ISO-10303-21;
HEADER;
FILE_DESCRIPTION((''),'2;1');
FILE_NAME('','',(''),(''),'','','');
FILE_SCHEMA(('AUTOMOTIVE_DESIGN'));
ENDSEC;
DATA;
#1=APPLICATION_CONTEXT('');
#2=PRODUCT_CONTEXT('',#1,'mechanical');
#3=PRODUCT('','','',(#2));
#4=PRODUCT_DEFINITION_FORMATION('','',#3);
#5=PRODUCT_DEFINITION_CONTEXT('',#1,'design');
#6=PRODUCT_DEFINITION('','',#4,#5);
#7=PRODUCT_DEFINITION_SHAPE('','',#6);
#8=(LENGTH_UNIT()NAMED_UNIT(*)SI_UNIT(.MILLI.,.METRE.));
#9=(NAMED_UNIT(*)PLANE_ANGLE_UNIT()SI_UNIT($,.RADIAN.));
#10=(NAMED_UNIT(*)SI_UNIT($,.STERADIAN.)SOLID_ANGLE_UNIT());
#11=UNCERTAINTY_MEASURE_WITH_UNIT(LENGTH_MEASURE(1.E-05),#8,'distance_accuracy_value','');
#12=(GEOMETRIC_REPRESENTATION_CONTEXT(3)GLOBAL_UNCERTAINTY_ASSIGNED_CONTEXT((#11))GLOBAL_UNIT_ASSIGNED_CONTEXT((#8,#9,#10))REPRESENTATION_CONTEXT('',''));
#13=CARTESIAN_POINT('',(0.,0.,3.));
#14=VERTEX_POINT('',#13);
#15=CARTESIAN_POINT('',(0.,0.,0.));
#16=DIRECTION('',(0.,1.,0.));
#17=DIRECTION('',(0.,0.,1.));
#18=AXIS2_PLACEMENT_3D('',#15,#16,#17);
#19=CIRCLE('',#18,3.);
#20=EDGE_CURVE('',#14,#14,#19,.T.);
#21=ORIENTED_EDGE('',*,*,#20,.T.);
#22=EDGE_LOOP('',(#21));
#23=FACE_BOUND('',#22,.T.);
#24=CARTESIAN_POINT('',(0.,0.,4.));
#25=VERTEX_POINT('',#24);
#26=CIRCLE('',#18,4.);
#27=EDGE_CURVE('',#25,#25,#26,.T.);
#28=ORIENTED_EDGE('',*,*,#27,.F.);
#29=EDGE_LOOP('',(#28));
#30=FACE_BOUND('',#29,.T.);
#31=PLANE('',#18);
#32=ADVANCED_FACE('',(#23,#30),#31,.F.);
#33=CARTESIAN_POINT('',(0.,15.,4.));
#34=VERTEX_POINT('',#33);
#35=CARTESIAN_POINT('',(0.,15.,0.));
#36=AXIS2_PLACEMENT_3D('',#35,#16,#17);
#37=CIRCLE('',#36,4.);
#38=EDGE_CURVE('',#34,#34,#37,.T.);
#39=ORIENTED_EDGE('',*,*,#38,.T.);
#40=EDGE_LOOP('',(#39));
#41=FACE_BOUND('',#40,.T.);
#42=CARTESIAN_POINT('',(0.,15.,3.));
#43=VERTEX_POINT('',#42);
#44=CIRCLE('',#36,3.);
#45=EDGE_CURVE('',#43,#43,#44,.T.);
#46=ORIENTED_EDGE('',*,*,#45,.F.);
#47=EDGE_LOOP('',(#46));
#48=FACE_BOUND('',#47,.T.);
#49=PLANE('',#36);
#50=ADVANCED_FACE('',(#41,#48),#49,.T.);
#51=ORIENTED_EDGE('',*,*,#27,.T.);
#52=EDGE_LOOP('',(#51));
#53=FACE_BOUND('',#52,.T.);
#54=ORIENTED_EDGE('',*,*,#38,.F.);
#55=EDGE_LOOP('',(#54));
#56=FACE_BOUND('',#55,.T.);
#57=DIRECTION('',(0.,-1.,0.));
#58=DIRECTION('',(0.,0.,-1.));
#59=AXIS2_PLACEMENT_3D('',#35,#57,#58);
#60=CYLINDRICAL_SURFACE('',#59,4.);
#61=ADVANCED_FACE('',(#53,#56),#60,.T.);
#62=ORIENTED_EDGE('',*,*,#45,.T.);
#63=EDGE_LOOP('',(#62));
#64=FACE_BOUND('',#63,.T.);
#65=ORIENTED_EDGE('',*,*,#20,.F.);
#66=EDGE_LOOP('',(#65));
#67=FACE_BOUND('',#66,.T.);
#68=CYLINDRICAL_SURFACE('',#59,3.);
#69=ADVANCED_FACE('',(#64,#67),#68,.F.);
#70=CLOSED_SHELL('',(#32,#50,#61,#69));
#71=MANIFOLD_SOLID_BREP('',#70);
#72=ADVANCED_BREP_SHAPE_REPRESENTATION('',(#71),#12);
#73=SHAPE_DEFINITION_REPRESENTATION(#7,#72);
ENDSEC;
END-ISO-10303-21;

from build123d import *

# Parameters (mm, degrees)
SKETCH_1_R      = 4
SKETCH_1_R_2    = 3
EXTRUDE_1_DEPTH = 15


with BuildPart() as part:
    # 草图1 → 凸台-拉伸1 (new body)
    with BuildSketch(Plane(origin=(0, 0, 0), x_dir=(1, 0, 0), z_dir=(0, 1, 0))):
        with Locations(Location((0, 0, 0), (0, 0, 270))):
            Circle(SKETCH_1_R)
        with Locations(Location((0, 0, 0), (0, 0, 270))):
            Circle(SKETCH_1_R_2, mode=Mode.SUBTRACT)
    extrude(amount=EXTRUDE_1_DEPTH)


solid = part.part
